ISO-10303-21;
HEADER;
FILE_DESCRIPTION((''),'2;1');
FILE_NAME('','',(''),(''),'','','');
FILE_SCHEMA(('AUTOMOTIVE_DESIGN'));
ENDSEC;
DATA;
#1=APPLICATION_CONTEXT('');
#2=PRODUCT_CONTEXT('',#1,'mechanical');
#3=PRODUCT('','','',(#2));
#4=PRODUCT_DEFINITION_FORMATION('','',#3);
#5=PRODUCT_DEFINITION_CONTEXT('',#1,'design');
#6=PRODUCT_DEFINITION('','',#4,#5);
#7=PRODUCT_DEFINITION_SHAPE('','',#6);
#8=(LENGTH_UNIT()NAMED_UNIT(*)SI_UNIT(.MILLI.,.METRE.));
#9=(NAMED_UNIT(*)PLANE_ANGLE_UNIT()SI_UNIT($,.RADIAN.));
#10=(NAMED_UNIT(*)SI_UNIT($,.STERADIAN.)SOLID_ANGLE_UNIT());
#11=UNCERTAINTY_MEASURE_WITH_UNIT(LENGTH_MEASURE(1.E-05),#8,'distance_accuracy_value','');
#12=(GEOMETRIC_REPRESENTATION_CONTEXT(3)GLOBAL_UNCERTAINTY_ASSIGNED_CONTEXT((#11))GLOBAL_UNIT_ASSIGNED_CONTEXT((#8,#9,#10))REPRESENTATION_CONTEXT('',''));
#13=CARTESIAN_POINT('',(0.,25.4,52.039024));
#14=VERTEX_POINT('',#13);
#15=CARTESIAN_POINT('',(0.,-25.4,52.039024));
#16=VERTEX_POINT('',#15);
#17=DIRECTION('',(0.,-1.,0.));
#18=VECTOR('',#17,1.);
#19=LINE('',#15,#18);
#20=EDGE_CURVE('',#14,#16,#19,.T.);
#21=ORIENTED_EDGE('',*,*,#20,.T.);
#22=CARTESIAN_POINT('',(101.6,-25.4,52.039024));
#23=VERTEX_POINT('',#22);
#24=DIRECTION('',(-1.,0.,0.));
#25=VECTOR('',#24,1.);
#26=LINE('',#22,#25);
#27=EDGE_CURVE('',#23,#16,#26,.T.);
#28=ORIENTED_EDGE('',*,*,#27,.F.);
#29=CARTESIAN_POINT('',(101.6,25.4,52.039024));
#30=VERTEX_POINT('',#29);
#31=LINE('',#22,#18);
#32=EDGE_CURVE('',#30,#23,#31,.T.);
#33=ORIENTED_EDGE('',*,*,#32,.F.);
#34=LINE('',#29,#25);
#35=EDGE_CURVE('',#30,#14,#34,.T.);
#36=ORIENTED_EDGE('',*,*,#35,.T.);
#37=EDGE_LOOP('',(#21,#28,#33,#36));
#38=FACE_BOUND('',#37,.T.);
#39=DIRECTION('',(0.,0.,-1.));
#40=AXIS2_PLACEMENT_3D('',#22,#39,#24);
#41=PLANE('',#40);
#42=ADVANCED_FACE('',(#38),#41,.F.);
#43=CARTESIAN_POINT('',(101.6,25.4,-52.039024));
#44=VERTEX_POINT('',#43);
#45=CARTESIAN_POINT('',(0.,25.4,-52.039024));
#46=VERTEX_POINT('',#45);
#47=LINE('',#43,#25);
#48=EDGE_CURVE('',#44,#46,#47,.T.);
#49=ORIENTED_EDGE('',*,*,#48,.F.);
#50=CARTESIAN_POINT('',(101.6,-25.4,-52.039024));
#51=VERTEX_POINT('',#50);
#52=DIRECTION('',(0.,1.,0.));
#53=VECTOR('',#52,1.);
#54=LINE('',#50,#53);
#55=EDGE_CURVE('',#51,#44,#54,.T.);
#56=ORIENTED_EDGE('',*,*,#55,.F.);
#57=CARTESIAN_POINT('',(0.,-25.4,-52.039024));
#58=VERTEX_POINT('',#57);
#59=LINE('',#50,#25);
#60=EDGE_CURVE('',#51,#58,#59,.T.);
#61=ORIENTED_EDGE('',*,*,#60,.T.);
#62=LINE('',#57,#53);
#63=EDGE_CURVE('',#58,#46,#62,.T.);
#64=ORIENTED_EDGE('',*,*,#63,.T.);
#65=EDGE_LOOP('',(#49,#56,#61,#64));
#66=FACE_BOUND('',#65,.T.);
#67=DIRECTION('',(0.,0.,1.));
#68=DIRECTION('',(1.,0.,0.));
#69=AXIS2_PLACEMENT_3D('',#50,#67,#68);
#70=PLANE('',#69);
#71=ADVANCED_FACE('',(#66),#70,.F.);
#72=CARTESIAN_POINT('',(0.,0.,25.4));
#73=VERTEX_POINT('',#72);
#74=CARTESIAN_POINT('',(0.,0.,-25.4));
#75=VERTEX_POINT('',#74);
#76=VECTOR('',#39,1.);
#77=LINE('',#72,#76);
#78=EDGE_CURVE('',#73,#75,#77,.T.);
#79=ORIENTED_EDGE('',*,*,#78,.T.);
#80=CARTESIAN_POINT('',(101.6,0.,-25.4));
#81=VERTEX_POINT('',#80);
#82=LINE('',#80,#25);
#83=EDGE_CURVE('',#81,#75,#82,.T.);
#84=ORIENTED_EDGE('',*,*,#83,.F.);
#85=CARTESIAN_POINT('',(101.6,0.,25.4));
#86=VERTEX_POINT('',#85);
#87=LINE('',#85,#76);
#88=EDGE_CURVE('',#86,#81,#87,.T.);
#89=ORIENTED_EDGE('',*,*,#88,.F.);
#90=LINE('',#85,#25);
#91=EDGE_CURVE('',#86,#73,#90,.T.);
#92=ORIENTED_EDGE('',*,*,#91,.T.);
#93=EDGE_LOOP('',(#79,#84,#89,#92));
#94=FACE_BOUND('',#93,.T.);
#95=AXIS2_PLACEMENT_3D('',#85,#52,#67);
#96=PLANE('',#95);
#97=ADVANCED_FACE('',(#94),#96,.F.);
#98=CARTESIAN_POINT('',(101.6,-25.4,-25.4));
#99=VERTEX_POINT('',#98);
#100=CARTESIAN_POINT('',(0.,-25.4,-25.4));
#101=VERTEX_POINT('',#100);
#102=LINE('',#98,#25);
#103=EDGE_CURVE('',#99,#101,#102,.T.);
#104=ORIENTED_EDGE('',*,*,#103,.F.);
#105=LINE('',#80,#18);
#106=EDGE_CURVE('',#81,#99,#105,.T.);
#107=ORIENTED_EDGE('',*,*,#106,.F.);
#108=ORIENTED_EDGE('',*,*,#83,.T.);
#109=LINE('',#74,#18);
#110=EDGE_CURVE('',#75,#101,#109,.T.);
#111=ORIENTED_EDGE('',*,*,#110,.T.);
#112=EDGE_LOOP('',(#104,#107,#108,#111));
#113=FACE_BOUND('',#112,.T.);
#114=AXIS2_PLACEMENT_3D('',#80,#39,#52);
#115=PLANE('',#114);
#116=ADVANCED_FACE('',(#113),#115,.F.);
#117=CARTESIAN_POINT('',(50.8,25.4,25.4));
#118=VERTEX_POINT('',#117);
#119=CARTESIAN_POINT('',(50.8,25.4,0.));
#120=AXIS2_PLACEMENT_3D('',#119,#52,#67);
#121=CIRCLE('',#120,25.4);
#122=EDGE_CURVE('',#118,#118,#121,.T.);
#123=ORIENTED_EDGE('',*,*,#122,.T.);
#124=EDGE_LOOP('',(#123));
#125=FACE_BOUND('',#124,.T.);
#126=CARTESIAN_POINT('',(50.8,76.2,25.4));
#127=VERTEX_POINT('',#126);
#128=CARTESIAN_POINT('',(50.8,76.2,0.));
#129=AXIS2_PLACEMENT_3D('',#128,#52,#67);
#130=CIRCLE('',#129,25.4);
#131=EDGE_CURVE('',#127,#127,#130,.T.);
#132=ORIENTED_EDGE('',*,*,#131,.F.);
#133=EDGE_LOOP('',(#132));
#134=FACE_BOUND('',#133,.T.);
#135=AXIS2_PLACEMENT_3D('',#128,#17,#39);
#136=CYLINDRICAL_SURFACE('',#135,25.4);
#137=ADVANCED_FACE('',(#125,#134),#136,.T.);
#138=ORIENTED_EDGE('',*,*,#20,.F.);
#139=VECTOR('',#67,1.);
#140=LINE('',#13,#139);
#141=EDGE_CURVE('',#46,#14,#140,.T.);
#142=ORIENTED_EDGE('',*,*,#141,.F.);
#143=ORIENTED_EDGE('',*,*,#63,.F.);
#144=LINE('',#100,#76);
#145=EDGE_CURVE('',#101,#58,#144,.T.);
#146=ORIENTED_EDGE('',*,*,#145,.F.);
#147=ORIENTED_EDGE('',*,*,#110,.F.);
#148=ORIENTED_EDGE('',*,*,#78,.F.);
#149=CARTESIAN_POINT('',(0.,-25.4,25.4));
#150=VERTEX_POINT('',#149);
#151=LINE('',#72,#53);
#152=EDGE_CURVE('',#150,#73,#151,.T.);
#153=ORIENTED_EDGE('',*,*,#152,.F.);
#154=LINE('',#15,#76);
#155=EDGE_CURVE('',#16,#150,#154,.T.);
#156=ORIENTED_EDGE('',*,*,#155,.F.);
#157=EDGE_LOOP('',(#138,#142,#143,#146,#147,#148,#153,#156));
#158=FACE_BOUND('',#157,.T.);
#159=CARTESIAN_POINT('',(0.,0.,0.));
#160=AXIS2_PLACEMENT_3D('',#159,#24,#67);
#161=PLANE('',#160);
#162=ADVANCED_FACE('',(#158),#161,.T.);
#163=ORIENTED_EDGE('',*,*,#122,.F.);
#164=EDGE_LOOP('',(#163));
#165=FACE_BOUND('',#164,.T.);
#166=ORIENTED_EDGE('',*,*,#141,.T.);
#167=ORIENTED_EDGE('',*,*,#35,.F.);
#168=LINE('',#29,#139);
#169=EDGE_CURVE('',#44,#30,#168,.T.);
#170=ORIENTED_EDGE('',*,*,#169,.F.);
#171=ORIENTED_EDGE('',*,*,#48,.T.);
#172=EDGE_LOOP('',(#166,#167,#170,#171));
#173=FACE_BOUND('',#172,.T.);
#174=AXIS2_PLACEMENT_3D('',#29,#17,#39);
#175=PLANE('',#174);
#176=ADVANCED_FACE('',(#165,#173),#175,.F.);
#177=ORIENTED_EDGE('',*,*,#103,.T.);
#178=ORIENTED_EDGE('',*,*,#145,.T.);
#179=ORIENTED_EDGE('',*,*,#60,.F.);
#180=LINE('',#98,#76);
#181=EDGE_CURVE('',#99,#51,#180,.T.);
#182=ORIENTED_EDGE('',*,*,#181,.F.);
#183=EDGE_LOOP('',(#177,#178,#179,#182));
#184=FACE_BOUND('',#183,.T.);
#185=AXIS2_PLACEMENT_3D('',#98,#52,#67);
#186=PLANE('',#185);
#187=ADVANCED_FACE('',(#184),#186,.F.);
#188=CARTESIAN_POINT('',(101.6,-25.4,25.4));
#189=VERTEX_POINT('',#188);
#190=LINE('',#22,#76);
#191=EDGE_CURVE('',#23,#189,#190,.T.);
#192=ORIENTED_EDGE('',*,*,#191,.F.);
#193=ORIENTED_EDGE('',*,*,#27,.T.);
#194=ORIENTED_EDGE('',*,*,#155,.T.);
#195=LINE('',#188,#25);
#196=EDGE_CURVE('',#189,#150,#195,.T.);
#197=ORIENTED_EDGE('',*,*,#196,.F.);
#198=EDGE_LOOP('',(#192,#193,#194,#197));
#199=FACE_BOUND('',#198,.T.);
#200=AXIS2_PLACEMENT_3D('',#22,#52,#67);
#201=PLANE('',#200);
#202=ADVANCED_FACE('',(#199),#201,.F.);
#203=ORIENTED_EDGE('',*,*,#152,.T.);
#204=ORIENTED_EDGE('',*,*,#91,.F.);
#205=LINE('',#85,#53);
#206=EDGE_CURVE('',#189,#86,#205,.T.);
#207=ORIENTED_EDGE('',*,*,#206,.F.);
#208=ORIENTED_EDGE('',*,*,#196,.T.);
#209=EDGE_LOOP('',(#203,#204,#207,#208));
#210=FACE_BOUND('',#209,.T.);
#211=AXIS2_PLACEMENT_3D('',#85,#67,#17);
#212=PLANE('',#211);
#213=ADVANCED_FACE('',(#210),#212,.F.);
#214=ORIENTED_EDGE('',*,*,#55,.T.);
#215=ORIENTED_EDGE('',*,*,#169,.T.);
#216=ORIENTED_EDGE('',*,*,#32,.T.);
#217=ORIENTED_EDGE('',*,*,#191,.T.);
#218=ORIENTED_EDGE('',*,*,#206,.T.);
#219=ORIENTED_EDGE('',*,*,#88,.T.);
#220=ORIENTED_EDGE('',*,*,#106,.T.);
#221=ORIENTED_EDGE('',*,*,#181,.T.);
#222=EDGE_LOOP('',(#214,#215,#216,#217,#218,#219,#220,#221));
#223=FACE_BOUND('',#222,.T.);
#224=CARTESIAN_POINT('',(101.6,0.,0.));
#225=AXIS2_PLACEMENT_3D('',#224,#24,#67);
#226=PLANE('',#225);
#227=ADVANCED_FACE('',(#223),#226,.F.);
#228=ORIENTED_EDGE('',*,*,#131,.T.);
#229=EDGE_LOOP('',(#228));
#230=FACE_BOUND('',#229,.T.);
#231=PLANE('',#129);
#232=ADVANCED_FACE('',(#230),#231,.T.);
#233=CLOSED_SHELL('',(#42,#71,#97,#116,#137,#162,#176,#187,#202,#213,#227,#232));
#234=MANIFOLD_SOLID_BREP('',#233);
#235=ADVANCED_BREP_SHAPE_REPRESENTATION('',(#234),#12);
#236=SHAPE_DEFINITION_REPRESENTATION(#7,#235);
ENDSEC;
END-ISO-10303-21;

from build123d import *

# Parameters (mm, degrees)
BOSS_EXTRUDE1_DEPTH = 101.6
SKETCH2_R           = 25.4
BOSS_EXTRUDE2_DEPTH = 50.8


with BuildPart() as part:
    # Sketch1 → Boss-Extrude1 (new body)
    with BuildSketch(Plane(origin=(0, 0, 0), x_dir=(0, 0, -1), z_dir=(1, 0, 0))):
        Polygon((-25.4, 0), (-25.4, -25.4), (-52.03902439, -25.4), (-52.03902439, 25.4), (52.03902439, 25.4), (52.03902439, -25.4), (25.4, -25.4), (25.4, 0), align=None)
    extrude(amount=BOSS_EXTRUDE1_DEPTH)

    # Sketch2 → Boss-Extrude2 (add)
    with BuildSketch(Plane(origin=(0, 25.4, 0), x_dir=(1, 0, 0), z_dir=(0, 1, 0))):
        with Locations(Location((50.8, 0, 0), (0, 0, 270))):
            Circle(SKETCH2_R)
    extrude(amount=BOSS_EXTRUDE2_DEPTH)


solid = part.part
